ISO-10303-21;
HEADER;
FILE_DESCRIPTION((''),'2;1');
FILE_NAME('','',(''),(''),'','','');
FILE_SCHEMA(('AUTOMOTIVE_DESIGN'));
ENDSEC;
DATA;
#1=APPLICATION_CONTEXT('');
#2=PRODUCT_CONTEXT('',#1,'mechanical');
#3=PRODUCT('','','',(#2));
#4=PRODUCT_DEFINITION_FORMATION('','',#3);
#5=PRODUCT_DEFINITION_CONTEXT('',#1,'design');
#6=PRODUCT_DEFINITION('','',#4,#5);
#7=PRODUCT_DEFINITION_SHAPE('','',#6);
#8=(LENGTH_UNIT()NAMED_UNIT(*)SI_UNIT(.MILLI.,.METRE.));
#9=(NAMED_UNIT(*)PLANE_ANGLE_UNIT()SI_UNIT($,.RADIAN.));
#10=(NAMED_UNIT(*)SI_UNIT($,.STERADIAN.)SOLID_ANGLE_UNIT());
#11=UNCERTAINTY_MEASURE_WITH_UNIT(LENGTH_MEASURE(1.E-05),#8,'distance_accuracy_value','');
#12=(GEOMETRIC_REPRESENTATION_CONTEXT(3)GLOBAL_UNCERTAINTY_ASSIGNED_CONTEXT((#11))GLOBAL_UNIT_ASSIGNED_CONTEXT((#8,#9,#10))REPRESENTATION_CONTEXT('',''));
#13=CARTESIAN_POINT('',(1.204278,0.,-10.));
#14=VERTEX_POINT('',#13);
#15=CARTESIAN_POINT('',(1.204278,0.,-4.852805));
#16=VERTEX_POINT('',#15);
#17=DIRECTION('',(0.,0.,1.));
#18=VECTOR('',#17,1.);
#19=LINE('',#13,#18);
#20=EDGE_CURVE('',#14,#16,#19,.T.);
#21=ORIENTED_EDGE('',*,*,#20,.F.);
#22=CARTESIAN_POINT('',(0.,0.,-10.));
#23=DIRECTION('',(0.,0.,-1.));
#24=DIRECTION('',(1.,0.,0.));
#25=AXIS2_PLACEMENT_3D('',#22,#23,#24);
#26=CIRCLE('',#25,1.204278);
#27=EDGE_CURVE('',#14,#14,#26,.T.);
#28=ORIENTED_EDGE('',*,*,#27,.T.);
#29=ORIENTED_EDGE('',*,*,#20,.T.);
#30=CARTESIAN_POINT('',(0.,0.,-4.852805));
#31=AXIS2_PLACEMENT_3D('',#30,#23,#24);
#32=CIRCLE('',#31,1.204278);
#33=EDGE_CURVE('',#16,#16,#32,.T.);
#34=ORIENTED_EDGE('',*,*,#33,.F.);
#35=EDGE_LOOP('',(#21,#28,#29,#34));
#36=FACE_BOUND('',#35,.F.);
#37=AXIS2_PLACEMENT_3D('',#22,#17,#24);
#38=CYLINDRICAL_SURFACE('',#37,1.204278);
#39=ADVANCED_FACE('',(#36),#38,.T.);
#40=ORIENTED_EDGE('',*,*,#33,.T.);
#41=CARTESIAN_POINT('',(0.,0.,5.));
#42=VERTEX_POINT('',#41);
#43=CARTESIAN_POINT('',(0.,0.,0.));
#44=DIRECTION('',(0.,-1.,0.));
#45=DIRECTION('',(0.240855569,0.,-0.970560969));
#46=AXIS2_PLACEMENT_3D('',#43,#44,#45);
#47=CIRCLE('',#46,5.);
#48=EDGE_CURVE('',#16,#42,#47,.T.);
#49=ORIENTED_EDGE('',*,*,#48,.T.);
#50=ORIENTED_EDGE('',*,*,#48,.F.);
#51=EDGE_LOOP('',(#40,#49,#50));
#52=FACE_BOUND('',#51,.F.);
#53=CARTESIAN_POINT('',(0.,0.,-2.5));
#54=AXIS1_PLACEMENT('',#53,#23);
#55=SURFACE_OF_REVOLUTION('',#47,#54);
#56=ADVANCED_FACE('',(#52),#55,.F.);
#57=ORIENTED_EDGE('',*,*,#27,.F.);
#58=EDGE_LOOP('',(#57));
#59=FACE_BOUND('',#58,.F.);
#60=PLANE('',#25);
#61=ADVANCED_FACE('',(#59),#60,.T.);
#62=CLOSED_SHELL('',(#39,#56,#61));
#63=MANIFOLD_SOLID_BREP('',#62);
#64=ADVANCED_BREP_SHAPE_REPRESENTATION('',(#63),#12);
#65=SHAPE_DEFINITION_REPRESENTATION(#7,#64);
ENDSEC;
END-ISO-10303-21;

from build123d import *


with BuildPart() as f1:
    # F0 (on Front) → F1 (revolve)
    with BuildSketch(Plane.XZ):
        with BuildLine():
            Line((1.204278, -10), (1.204278, -4.852805))
            ThreePointArc((1.204278, -4.852805), (4.963065, 0.60662), (0, 5))
            Line((0, 5), (0, -10))
            Line((0, -10), (1.204278, -10))
        make_face()
    revolve(axis=Axis((0, 0, -2.5), (0, 0, -1)))


solid = f1.part
